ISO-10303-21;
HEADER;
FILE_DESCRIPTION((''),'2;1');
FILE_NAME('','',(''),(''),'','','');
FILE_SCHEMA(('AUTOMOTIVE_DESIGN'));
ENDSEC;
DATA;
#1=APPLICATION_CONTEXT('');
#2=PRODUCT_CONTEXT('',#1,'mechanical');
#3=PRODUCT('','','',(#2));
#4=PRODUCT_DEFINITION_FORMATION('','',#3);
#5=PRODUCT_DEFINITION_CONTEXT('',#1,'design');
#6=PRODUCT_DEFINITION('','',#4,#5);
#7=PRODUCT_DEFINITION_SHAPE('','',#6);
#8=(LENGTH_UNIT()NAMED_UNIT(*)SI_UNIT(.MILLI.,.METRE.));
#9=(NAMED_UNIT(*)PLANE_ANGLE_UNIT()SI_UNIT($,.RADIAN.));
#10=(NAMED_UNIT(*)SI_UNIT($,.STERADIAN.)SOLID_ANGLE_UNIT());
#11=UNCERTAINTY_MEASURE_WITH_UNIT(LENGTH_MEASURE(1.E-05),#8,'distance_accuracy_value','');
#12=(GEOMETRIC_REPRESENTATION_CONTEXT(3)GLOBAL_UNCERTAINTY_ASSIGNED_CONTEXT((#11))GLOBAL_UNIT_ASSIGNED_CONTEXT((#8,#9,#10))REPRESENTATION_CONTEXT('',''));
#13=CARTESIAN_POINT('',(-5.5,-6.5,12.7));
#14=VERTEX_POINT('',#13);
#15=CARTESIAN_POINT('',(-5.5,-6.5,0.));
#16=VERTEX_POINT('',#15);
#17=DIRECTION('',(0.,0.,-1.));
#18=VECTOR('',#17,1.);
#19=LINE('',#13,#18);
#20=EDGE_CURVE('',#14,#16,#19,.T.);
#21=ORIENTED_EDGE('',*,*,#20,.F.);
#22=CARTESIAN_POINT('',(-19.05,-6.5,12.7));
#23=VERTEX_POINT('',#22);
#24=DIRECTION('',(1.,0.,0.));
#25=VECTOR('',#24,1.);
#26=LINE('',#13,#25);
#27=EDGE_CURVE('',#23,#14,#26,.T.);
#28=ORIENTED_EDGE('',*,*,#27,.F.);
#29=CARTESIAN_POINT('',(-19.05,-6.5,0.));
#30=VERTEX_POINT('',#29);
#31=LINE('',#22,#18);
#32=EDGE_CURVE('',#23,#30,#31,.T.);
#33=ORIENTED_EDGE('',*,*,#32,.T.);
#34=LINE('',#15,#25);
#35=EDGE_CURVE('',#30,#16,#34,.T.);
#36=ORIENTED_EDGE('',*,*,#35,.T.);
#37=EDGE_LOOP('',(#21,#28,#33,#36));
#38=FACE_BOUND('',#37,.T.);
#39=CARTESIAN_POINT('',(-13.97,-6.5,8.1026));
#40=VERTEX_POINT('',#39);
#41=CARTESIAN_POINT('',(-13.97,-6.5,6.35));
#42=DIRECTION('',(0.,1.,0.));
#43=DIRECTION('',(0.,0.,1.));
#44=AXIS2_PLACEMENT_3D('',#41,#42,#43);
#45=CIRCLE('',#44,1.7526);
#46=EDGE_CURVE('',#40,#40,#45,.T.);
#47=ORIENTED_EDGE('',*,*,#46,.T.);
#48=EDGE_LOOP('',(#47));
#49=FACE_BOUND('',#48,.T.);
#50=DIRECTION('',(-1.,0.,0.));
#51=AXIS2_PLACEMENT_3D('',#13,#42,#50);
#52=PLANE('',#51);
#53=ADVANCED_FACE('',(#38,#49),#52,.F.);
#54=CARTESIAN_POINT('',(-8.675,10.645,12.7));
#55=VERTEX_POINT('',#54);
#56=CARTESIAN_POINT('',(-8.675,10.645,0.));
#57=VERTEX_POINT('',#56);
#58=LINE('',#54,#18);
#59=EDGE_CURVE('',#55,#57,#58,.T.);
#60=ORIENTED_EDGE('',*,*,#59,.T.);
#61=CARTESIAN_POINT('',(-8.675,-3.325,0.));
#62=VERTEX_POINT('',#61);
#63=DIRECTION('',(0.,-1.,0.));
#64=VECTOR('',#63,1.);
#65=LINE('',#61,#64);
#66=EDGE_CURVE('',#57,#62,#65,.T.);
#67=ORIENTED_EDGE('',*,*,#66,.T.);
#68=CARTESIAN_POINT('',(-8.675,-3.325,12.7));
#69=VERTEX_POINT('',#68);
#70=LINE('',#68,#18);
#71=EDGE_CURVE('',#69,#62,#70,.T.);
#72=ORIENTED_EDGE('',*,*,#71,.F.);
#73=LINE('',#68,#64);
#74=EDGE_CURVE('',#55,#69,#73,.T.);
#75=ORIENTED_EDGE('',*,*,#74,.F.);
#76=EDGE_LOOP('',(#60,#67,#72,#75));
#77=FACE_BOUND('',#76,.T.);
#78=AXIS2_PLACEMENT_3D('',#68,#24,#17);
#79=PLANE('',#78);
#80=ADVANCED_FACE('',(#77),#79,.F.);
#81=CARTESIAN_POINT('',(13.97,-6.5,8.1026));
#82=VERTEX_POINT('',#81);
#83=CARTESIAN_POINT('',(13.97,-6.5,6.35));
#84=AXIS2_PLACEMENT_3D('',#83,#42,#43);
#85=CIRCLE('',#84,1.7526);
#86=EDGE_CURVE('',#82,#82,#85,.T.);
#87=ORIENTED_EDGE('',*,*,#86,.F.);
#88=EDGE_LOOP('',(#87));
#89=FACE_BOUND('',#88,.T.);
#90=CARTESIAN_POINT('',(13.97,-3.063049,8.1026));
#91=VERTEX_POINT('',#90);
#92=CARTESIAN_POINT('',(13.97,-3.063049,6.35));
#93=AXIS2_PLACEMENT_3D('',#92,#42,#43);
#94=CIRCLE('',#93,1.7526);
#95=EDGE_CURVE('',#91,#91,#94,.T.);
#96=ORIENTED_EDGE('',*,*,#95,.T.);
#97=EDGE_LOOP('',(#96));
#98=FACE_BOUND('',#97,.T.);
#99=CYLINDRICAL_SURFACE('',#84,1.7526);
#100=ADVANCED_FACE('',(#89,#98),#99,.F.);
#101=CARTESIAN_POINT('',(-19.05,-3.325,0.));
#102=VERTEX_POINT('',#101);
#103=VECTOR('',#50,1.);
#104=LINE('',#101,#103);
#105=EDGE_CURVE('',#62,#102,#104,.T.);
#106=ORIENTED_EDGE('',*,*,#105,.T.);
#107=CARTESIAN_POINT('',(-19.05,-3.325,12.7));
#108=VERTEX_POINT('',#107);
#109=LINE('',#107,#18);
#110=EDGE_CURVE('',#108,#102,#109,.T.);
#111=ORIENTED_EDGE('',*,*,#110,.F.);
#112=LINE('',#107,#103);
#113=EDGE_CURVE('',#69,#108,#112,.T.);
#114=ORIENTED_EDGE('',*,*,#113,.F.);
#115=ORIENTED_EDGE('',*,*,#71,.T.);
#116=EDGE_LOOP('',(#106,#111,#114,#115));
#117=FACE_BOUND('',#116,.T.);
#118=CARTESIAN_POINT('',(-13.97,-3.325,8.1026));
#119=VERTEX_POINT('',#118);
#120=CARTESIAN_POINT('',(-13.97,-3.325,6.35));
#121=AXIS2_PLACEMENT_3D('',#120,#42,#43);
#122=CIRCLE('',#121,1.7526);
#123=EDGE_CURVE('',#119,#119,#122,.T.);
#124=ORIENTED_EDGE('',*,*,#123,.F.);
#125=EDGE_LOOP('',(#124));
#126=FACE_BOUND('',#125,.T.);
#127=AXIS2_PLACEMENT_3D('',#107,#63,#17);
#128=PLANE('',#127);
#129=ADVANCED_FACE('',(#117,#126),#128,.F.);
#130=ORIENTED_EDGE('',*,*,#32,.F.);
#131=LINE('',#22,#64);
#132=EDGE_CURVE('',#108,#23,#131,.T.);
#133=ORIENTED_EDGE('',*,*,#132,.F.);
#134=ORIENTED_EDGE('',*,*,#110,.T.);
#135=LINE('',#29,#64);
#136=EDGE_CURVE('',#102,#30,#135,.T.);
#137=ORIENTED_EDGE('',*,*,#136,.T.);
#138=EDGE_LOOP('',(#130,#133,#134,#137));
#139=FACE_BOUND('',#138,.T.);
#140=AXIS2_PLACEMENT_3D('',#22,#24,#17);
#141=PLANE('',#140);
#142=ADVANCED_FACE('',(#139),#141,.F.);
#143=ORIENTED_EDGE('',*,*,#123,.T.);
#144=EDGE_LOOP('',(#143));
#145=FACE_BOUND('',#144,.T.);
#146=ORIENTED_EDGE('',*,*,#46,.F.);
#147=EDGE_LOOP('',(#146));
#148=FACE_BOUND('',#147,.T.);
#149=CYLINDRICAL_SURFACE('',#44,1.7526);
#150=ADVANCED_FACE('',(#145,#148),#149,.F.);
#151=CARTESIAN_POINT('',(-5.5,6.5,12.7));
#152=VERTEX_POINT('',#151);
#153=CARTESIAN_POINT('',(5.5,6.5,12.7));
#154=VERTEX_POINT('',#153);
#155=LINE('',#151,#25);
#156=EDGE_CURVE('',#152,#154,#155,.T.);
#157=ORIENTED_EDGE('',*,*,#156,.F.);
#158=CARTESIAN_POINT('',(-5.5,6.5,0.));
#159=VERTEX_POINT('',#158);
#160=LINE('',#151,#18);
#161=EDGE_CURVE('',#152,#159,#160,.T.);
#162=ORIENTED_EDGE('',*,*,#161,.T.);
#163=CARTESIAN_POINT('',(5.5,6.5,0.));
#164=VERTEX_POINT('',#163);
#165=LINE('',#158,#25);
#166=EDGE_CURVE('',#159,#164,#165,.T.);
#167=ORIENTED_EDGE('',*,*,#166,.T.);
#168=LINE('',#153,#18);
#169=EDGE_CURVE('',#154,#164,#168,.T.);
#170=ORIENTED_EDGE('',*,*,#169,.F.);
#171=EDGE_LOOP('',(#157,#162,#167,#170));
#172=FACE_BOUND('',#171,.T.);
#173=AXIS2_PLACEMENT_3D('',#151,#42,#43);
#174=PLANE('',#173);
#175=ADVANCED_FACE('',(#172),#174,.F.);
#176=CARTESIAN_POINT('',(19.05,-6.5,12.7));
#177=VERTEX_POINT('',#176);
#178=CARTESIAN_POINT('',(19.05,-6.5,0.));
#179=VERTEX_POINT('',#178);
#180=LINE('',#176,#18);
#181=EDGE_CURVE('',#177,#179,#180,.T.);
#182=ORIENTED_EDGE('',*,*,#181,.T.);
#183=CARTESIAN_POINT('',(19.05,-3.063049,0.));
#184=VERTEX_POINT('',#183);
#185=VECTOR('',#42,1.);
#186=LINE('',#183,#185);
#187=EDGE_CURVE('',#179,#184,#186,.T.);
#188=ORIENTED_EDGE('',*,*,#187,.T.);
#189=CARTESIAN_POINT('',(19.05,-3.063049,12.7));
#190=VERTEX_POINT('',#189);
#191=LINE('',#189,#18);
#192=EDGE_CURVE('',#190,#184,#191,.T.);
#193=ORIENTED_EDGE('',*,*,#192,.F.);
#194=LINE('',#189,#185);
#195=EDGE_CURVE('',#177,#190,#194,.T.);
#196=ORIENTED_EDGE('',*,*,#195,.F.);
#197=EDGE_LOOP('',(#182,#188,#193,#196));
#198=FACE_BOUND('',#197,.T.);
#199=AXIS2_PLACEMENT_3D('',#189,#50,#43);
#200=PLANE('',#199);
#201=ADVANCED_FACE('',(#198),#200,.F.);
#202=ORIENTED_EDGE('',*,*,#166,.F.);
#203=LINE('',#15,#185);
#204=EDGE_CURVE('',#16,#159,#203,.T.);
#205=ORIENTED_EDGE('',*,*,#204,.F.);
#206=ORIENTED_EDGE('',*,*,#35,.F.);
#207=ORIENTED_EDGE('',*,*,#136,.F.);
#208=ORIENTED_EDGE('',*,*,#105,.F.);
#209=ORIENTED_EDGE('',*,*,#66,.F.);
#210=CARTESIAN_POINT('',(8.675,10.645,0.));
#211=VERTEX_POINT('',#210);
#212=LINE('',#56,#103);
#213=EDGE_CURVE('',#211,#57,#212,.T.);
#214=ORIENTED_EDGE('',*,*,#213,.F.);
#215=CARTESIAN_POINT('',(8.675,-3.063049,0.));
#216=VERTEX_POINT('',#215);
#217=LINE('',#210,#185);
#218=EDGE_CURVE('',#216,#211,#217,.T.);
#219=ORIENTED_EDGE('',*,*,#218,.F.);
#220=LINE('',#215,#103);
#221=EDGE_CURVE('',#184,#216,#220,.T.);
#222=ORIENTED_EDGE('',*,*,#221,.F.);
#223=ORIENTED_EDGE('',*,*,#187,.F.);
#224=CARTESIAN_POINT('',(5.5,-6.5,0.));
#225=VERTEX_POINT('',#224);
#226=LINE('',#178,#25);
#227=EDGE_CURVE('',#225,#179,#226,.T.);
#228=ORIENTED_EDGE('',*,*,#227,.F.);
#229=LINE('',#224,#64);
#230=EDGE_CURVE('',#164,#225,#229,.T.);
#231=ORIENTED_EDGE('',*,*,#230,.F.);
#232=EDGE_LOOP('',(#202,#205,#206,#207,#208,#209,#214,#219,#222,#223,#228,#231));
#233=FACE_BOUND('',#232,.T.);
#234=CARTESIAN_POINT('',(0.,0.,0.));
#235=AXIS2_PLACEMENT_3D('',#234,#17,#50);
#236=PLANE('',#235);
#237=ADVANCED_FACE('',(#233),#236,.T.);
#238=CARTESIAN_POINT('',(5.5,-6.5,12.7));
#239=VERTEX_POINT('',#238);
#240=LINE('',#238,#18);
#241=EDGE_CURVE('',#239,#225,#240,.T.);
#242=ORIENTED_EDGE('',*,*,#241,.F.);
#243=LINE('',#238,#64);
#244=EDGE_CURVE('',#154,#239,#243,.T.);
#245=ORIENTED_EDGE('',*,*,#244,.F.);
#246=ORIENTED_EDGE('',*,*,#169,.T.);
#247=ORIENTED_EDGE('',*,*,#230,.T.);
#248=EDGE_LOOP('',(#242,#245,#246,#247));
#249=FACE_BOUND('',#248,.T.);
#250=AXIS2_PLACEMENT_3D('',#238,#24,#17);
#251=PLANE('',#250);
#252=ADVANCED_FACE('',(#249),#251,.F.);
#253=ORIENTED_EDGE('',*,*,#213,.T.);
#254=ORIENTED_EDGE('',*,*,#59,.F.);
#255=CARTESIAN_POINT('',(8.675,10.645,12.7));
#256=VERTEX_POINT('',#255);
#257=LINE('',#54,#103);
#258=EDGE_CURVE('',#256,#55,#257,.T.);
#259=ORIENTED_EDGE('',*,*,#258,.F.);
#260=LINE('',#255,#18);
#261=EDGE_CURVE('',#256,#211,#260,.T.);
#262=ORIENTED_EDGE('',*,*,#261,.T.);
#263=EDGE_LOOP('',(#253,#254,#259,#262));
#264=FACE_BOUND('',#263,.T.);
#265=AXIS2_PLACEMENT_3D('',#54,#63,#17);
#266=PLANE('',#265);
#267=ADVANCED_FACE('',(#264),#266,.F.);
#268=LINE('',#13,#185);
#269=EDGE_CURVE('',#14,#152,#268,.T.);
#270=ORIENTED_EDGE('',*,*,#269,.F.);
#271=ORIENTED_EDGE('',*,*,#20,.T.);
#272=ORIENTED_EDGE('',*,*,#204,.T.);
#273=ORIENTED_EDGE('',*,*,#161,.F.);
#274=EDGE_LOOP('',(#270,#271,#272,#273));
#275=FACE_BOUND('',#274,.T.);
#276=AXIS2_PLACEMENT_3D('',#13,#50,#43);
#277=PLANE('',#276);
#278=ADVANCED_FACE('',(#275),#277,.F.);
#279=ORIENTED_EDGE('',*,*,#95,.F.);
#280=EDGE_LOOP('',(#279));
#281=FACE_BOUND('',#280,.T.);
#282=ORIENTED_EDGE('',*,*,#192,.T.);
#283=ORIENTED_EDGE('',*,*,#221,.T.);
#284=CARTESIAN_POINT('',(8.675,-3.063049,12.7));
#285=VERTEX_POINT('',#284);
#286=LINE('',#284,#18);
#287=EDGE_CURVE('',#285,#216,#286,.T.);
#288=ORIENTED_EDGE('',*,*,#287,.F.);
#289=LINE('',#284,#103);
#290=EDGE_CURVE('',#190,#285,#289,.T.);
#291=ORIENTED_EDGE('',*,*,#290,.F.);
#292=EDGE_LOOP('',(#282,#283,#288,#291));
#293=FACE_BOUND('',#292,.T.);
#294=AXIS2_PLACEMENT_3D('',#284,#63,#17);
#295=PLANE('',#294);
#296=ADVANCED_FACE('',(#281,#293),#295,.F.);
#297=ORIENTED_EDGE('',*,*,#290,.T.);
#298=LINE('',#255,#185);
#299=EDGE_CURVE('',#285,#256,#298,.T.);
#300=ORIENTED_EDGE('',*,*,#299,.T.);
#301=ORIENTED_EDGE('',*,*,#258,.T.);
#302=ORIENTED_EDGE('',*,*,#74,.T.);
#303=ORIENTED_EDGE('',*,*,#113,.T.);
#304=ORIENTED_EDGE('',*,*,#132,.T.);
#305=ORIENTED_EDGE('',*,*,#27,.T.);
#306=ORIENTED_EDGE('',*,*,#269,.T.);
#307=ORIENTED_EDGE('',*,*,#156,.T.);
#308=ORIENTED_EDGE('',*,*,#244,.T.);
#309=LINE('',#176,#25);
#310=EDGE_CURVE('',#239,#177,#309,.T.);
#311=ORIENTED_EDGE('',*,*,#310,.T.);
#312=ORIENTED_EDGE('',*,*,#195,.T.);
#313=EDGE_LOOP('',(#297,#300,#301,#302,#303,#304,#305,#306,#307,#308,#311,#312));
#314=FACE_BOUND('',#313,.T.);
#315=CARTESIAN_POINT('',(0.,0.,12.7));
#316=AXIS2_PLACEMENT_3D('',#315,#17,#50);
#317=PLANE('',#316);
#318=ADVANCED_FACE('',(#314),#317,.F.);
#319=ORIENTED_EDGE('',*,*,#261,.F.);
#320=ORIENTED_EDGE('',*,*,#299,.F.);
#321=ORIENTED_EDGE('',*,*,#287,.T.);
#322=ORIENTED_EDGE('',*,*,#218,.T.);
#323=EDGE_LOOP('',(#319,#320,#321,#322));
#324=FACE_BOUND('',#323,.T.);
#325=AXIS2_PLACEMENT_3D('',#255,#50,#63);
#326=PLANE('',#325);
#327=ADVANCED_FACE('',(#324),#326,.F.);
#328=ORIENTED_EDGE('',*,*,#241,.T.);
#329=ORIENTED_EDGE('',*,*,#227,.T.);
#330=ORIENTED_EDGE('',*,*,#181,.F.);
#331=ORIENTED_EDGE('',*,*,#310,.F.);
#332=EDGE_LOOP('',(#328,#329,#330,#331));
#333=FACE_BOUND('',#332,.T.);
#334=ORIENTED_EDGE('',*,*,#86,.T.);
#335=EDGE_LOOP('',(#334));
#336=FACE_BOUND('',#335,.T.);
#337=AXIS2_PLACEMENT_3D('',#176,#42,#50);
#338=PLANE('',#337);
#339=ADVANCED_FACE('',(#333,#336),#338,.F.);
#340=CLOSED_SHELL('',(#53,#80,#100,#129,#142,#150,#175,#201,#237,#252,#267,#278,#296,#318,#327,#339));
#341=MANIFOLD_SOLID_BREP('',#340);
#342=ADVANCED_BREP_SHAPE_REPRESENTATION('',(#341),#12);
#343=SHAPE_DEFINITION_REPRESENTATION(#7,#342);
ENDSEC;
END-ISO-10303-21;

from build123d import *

# Parameters (mm, degrees)
BOSS_EXTRUDE1_DEPTH = 12.7
SKETCH2_R           = 1.7526
CUT_EXTRUDE3_DEPTH  = 4.175
SKETCH3_R           = 1.7526
CUT_EXTRUDE4_DEPTH  = 4.436950898


with BuildPart() as part:
    # Sketch1 → Boss-Extrude1 (new body)
    with BuildSketch(Plane.XY):
        Polygon((-5.5, -6.5), (-19.05, -6.5), (-19.05, -3.325), (-8.675, -3.325), (-8.675, 10.645), (8.675, 10.645), (8.675, -3.063049102), (19.05, -3.063049102), (19.05, -6.5), (5.5, -6.5), (5.5, 6.5), (-5.5, 6.5), align=None)
    extrude(amount=BOSS_EXTRUDE1_DEPTH)

    # Sketch2 → Cut-Extrude3 (cut, through all)
    with BuildSketch(Plane(origin=(0, -3.325, 0), x_dir=(1, 0, 0), z_dir=(0, 1, 0))):
        with Locations((-13.97, -6.35)):
            Circle(SKETCH2_R)
    extrude(amount=-CUT_EXTRUDE3_DEPTH, mode=Mode.SUBTRACT)

    # Sketch3 → Cut-Extrude4 (cut, through all)
    with BuildSketch(Plane(origin=(0, -3.063049102, 0), x_dir=(1, 0, 0), z_dir=(0, 1, 0))):
        with Locations((13.97, -6.35)):
            Circle(SKETCH3_R)
    extrude(amount=-CUT_EXTRUDE4_DEPTH, mode=Mode.SUBTRACT)


solid = part.part
